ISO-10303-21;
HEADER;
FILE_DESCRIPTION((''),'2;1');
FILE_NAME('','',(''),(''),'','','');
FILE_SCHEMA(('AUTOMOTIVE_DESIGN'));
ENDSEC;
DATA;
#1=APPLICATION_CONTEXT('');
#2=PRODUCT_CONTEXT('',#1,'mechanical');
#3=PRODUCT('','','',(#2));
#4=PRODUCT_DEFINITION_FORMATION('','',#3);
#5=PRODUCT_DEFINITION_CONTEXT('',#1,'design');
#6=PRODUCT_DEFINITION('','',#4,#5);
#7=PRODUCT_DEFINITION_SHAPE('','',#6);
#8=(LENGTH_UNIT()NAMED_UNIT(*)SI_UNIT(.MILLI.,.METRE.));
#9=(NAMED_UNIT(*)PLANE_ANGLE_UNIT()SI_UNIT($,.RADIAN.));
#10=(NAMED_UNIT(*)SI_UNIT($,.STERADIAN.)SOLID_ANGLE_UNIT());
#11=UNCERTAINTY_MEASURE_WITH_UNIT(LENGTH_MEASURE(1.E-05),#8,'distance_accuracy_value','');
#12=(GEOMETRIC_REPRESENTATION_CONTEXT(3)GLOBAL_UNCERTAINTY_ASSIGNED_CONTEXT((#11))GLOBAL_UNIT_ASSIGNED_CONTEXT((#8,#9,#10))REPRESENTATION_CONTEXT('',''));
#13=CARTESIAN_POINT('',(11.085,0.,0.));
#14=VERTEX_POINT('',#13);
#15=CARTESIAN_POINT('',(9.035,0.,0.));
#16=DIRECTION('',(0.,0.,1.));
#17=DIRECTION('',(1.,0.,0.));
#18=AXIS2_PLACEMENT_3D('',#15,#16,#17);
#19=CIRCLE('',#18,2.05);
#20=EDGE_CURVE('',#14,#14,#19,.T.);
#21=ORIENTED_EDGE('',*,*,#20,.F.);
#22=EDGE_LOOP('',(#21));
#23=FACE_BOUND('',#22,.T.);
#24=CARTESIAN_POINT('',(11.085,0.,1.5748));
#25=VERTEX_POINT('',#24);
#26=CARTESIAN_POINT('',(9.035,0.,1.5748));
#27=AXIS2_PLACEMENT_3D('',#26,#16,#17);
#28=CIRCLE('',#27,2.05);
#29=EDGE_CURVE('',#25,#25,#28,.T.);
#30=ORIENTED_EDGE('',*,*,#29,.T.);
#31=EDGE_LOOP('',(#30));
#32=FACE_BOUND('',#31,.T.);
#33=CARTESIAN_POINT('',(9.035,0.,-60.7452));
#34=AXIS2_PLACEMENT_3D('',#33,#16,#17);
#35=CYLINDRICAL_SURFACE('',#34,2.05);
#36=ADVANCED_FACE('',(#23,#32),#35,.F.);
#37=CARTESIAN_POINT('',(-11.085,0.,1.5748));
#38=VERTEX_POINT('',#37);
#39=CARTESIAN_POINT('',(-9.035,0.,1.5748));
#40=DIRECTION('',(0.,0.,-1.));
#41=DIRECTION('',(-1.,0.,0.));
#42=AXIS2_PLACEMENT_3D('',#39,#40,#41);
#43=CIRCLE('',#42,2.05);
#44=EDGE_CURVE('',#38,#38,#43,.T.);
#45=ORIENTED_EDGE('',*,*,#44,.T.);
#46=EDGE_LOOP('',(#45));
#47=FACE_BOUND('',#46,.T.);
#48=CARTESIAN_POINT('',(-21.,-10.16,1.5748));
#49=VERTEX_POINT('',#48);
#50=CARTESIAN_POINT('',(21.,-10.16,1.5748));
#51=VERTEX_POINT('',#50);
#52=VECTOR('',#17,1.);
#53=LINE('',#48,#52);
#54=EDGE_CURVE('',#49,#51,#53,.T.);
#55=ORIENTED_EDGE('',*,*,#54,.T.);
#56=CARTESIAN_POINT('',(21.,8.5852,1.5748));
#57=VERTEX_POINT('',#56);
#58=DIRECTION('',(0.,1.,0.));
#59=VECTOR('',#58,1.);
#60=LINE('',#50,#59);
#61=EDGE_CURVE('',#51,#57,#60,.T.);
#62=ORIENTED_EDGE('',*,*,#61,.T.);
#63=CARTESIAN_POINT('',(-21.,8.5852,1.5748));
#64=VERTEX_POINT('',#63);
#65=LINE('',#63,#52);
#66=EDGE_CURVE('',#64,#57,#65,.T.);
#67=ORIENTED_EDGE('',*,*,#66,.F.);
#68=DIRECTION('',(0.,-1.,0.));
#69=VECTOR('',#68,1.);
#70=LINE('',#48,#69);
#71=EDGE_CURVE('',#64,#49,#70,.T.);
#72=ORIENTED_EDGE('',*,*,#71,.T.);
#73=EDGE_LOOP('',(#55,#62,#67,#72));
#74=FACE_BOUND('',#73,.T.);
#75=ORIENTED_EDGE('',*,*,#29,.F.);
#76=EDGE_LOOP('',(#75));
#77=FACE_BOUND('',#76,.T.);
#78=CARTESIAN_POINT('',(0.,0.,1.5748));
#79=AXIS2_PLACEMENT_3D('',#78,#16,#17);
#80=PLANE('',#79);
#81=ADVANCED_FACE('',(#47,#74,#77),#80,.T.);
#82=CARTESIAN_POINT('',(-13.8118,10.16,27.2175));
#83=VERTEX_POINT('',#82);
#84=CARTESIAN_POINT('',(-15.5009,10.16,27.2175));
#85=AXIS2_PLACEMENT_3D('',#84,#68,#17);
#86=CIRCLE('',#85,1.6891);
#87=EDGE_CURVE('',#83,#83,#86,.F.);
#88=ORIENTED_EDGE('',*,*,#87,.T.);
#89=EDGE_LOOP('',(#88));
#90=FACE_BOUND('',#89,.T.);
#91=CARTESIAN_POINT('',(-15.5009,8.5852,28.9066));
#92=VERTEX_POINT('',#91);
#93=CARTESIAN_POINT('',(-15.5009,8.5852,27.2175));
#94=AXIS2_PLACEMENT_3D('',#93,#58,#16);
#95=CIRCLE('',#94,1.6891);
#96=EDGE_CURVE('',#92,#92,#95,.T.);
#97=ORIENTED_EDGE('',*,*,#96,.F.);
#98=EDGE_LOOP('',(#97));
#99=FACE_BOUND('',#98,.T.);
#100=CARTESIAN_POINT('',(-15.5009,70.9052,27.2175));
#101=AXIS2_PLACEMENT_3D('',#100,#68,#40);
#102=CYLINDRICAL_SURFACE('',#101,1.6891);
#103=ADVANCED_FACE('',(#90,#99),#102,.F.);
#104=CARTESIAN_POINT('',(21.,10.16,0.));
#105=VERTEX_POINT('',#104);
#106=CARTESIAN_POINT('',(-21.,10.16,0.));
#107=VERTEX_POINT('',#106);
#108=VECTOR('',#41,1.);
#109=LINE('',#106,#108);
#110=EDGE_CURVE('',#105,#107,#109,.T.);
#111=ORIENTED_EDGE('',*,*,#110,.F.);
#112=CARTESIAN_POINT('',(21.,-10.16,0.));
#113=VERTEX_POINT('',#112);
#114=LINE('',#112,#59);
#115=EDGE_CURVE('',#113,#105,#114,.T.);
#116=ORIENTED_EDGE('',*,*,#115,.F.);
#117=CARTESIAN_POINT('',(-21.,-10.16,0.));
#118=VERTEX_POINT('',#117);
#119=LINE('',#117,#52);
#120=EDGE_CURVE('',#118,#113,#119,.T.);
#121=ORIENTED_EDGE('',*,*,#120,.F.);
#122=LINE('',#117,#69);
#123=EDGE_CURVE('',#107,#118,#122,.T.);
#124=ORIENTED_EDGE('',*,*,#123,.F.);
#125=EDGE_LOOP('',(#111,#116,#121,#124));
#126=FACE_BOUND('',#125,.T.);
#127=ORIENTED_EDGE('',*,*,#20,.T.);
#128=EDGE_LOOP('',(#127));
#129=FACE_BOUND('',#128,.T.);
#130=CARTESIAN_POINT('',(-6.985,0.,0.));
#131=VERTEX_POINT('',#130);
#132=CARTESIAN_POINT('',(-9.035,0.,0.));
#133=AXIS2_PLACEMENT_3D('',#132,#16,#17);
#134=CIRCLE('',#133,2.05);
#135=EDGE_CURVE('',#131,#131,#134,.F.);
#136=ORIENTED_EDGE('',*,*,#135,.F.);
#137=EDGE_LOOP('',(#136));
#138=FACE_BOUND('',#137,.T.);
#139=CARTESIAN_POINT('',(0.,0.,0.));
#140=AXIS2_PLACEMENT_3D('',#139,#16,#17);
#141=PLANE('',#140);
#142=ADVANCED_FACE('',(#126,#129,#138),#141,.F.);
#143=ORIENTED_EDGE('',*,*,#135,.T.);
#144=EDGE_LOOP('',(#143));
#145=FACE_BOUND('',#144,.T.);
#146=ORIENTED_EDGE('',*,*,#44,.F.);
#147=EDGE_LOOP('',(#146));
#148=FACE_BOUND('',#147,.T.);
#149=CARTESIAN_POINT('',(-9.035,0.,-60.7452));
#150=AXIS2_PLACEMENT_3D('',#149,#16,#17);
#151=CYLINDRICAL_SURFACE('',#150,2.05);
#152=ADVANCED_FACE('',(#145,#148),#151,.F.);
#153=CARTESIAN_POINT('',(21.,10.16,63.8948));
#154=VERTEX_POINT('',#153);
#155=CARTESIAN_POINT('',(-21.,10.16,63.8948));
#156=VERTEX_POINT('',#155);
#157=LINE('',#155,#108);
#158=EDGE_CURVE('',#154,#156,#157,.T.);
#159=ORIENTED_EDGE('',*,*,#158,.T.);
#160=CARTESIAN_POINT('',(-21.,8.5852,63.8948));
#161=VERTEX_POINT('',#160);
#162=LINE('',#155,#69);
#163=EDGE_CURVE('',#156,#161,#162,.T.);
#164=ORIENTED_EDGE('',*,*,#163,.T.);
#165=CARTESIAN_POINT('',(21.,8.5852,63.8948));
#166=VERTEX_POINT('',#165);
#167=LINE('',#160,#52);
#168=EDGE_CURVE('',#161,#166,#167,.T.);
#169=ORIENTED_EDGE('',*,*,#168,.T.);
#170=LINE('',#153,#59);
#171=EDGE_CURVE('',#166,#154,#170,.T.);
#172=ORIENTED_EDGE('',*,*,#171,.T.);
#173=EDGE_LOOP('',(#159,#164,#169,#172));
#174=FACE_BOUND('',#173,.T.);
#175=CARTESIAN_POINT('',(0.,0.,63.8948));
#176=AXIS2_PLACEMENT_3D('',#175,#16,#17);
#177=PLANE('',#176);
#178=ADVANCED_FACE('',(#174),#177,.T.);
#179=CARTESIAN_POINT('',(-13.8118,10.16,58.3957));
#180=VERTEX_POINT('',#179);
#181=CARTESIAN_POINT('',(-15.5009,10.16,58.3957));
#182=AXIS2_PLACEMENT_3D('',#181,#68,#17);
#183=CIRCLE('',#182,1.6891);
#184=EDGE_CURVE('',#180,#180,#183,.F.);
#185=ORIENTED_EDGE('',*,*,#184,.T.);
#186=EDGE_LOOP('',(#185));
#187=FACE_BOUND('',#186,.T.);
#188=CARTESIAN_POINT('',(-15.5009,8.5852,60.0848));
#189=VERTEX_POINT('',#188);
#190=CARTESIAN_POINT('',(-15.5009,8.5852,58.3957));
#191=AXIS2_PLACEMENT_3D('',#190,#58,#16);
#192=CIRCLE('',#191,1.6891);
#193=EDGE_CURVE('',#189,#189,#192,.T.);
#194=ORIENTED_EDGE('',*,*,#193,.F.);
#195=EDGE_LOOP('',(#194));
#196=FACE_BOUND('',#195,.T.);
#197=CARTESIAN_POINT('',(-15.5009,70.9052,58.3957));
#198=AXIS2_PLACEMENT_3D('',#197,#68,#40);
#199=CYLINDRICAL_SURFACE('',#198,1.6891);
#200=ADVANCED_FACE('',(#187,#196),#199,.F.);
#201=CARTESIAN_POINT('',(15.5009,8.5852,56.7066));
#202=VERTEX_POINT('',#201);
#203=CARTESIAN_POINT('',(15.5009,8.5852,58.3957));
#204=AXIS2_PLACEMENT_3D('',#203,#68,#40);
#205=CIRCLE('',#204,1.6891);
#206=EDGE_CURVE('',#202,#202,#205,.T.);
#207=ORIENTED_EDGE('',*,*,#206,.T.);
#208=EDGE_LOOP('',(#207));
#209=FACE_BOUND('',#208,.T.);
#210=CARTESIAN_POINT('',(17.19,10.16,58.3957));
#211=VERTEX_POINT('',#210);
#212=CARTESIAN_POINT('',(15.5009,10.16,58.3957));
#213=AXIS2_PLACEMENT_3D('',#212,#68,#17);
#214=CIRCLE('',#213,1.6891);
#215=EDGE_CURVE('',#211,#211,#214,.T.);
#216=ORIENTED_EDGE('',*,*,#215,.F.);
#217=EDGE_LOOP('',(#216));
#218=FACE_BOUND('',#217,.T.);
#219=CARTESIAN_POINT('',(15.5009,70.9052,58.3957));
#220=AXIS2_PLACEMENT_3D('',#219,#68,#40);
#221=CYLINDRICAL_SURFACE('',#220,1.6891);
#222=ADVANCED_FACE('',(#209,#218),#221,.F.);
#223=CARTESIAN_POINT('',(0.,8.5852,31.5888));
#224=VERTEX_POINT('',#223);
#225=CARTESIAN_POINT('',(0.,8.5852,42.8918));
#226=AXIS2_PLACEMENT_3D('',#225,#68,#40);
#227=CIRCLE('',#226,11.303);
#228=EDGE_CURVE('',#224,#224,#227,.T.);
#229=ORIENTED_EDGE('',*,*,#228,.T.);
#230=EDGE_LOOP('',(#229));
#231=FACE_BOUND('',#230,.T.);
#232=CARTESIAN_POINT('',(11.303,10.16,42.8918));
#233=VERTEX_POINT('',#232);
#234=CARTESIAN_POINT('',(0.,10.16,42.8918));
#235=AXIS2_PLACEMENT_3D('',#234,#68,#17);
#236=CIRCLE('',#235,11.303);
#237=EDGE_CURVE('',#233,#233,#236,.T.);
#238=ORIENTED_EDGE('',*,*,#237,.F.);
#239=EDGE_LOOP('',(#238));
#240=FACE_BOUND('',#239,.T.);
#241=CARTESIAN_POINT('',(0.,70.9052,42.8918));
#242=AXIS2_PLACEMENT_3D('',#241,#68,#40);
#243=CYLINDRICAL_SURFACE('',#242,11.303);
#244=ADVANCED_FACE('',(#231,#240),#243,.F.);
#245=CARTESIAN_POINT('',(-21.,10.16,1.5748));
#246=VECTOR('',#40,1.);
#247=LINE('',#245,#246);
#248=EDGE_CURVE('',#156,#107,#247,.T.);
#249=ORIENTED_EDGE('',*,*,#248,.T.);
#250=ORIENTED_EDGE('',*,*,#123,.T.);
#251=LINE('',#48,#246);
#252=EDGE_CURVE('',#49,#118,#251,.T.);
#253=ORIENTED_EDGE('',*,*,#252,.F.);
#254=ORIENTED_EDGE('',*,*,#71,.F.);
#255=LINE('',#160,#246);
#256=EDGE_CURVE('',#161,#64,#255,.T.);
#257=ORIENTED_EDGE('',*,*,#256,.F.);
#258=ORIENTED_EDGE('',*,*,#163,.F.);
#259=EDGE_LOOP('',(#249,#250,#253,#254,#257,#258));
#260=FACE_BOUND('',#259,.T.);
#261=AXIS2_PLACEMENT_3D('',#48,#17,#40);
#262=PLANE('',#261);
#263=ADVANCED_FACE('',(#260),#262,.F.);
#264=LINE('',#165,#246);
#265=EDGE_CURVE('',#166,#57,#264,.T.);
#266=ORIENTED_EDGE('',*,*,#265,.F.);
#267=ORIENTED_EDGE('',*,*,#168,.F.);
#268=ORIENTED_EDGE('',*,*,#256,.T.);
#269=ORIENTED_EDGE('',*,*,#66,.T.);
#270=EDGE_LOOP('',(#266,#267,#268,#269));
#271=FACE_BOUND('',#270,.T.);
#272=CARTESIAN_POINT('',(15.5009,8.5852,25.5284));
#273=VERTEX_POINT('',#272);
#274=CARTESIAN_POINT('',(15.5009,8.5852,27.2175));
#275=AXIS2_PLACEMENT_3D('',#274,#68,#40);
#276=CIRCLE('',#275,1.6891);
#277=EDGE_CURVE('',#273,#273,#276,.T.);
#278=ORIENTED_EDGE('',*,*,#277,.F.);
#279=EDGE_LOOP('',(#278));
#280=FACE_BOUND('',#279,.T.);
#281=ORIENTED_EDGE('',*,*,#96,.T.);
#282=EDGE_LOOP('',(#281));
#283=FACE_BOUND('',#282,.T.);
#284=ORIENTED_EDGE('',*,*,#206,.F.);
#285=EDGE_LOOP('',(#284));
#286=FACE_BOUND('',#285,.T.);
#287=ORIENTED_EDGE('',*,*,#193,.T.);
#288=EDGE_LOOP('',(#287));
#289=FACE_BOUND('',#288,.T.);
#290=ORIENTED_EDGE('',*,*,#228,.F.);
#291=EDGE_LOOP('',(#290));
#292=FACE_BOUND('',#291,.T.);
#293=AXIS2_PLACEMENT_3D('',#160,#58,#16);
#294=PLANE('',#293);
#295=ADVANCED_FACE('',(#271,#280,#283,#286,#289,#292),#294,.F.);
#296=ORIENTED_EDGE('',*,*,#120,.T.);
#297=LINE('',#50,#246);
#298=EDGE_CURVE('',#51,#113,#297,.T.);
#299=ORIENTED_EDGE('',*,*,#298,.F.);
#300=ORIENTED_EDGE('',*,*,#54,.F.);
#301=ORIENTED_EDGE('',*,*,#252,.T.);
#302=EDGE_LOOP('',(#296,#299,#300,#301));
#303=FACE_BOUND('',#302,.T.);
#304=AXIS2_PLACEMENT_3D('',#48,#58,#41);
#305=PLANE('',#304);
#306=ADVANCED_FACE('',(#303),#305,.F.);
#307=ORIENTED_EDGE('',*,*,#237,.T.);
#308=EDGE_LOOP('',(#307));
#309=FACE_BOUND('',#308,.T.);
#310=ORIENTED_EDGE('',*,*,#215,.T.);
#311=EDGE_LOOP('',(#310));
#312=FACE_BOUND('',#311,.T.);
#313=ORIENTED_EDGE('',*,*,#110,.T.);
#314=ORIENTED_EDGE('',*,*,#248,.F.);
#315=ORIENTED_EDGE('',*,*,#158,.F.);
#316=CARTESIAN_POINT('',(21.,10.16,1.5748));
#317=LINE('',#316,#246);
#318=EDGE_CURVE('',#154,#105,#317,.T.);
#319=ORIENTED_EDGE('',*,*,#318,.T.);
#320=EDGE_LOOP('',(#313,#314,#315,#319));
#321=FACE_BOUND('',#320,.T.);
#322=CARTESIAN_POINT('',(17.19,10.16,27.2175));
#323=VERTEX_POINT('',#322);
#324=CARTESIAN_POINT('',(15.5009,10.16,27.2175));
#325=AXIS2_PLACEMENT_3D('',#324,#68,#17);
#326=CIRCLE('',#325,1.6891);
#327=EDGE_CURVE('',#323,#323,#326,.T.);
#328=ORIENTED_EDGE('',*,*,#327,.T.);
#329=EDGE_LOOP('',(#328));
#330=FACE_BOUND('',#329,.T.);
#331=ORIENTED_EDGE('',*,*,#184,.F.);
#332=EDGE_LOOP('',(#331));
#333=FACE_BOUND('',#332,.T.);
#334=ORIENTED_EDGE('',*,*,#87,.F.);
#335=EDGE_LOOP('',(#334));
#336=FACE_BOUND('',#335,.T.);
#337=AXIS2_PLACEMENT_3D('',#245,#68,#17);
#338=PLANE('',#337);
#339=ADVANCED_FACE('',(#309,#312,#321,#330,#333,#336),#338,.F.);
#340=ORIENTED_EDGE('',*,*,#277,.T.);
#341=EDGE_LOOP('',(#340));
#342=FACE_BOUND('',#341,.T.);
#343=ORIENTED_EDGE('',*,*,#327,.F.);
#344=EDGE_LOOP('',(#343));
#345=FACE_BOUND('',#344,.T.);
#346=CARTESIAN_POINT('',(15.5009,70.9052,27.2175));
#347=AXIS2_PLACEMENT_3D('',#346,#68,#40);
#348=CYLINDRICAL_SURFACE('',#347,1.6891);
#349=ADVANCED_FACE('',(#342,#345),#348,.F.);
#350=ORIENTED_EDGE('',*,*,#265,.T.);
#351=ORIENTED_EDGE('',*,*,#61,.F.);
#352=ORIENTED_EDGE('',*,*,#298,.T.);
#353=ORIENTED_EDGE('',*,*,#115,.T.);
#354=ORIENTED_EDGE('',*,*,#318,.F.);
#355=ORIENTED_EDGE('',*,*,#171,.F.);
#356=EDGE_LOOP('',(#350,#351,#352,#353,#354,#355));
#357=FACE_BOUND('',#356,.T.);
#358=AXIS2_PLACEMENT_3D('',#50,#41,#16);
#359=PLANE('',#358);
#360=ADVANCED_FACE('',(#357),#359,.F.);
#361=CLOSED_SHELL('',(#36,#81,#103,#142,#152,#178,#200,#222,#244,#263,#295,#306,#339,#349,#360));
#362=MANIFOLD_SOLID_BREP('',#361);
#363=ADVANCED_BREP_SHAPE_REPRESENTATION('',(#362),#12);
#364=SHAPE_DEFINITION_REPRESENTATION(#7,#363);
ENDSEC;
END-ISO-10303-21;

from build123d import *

# Parameters (mm, degrees)
SKETCH1_W           = 20.32
SKETCH1_H           = 42
BOSS_EXTRUDE1_DEPTH = 1.5748
SKETCH2_W           = 42
SKETCH2_H           = 1.5748
BOSS_EXTRUDE2_DEPTH = 62.32
SKETCH3_R           = 11.303
SKETCH3_R_2         = 1.6891
CUT_EXTRUDE1_DEPTH  = 62.32
SKETCH4_R           = 2.05
CUT_EXTRUDE2_DEPTH  = 62.32


with BuildPart() as part:
    # Sketch1 → Boss-Extrude1 (new body)
    with BuildSketch(Plane(origin=(0, 0, 0), x_dir=(0, 1, 0), z_dir=(0, 0, 1))):
        Rectangle(SKETCH1_W, SKETCH1_H)
    extrude(amount=BOSS_EXTRUDE1_DEPTH)

    # Sketch2 → Boss-Extrude2 (add)
    with BuildSketch(Plane.XY.offset(1.5748)):
        with Locations((0, 9.3726)):
            Rectangle(SKETCH2_W, SKETCH2_H)
    extrude(amount=BOSS_EXTRUDE2_DEPTH)

    # Sketch3 → Cut-Extrude1 (cut)
    with BuildSketch(Plane(origin=(0, 8.5852, 0), x_dir=(-1, 0, 0), z_dir=(0, -1, 0))):
        with Locations(Location((0, -42.8918, 0), (0, 0, 90))):
            Circle(SKETCH3_R)
        with Locations(Location((-15.5009, -58.3957, 0), (0, 0, 90))):
            Circle(SKETCH3_R_2)
        with Locations(Location((-15.5009, -27.2175, 0), (0, 0, 90))):
            Circle(SKETCH3_R_2)
        with Locations(Location((15.5009, -27.2175, 0), (0, 0, 180))):
            Circle(SKETCH3_R_2)
        with Locations(Location((15.5009, -58.3957, 0), (0, 0, 180))):
            Circle(SKETCH3_R_2)
    extrude(amount=-CUT_EXTRUDE1_DEPTH, mode=Mode.SUBTRACT)

    # Sketch4 → Cut-Extrude2 (cut)
    with BuildSketch(Plane.XY.offset(1.5748)):
        with Locations((9.035, 0)):
            Circle(SKETCH4_R)
        with Locations((-9.035, 0)):
            Circle(SKETCH4_R)
    extrude(amount=-CUT_EXTRUDE2_DEPTH, mode=Mode.SUBTRACT)


solid = part.part
